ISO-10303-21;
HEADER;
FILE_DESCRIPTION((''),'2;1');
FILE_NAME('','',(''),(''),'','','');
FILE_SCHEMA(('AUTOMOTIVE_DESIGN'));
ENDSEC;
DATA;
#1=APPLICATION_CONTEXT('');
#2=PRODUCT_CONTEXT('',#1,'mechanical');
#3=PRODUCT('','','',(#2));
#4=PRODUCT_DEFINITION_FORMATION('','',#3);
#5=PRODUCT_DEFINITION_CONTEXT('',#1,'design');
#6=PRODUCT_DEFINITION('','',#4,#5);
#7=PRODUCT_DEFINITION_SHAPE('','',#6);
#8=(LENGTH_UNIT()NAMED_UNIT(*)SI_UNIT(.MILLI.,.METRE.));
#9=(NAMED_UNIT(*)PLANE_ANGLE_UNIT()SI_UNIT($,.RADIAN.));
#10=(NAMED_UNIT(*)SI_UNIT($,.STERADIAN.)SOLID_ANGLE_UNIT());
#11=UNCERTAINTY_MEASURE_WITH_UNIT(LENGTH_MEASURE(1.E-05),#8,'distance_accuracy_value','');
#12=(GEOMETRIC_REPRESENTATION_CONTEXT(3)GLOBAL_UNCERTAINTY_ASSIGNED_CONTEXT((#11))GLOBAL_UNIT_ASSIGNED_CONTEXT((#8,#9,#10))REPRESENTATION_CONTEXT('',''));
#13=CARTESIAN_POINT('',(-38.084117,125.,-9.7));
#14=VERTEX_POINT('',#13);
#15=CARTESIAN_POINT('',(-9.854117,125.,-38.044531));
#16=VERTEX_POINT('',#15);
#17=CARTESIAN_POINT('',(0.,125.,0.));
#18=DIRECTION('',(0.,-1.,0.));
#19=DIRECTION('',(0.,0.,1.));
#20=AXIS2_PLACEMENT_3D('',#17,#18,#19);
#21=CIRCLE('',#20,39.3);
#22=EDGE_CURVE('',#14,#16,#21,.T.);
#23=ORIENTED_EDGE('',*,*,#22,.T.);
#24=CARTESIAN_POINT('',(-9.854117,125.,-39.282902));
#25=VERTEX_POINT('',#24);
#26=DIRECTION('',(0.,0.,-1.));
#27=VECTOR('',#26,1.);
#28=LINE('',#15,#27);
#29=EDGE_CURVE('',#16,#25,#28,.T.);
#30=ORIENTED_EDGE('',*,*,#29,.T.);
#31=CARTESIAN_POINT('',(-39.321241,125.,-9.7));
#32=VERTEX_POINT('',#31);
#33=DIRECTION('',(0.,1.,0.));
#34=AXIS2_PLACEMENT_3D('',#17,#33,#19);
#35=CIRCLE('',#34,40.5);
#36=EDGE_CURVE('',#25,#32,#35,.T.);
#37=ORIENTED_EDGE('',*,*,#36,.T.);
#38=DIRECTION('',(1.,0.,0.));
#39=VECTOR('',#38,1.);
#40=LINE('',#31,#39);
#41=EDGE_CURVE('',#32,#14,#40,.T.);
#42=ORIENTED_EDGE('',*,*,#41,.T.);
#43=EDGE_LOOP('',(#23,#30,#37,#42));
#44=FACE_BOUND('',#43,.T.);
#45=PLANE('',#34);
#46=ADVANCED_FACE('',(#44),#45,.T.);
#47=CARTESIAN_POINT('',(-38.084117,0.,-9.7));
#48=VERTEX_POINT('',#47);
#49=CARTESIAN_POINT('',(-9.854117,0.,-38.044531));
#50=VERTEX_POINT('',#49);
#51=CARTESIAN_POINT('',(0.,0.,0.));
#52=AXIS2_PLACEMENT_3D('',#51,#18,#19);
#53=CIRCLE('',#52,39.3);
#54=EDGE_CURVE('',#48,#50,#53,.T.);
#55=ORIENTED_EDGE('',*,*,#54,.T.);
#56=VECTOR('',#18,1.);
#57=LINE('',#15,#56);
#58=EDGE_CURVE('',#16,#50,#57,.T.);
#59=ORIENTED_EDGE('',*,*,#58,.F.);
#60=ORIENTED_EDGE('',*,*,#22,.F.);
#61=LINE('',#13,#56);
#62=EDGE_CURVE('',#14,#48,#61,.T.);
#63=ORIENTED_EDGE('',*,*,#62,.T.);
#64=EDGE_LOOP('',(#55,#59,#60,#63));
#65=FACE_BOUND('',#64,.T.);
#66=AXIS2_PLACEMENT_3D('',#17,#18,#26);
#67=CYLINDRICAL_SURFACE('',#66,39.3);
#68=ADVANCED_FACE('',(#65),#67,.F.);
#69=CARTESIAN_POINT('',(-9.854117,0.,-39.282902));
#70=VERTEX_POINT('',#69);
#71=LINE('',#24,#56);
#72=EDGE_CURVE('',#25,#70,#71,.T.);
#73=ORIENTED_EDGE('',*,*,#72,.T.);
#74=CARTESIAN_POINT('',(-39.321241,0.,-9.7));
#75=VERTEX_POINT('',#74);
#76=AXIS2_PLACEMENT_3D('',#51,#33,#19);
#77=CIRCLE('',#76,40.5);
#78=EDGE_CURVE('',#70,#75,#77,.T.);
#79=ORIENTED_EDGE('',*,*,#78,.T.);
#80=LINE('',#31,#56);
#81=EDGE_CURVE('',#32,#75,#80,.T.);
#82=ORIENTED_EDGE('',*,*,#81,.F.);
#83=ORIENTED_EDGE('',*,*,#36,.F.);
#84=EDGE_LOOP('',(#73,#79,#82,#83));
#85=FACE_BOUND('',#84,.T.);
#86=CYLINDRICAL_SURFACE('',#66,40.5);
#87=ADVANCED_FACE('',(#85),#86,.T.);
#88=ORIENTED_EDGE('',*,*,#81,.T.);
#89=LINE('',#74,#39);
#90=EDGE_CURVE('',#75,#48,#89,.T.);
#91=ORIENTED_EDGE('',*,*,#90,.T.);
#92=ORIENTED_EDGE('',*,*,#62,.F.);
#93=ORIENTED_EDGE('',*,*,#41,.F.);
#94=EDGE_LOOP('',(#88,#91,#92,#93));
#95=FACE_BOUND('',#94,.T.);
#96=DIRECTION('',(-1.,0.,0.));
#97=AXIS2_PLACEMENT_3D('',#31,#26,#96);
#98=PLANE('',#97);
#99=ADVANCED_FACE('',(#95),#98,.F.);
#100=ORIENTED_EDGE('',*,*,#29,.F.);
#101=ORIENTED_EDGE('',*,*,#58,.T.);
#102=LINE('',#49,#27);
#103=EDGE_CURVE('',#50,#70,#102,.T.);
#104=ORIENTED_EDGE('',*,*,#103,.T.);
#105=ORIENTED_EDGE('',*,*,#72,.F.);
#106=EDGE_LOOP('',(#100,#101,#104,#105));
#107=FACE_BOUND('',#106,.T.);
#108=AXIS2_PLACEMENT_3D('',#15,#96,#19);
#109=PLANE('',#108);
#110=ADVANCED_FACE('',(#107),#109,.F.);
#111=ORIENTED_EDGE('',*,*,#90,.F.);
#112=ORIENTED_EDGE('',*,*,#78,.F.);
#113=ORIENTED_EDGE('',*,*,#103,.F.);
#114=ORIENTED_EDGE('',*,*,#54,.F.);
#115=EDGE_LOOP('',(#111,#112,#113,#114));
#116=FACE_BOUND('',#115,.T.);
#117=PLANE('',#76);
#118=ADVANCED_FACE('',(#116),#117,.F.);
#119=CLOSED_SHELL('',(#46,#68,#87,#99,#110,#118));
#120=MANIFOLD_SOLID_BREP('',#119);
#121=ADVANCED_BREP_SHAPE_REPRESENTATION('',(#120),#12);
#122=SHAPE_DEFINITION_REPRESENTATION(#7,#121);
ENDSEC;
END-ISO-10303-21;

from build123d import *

# Parameters (mm, degrees)
EXTRUDE_1_DEPTH = 125


with BuildPart() as part:
    # Эскиз1 → Бобышка-Вытянуть1 (new body)
    with BuildSketch(Plane(origin=(0, 0, 0), x_dir=(1, 0, 0), z_dir=(0, 1, 0))):
        with BuildLine():
            Line((-39.321241079, 9.7), (-38.084117424, 9.7))
            ThreePointArc((-38.084117424, 9.7), (-27.845497037, 27.732982075), (-9.854117424, 38.044531404))
            Line((-9.854117424, 38.044531404), (-9.854117424, 39.282901749))
            ThreePointArc((-9.854117424, 39.282901749), (-28.693919041, 28.581620144), (-39.321241079, 9.7))
        make_face()
    extrude(amount=EXTRUDE_1_DEPTH)


solid = part.part
